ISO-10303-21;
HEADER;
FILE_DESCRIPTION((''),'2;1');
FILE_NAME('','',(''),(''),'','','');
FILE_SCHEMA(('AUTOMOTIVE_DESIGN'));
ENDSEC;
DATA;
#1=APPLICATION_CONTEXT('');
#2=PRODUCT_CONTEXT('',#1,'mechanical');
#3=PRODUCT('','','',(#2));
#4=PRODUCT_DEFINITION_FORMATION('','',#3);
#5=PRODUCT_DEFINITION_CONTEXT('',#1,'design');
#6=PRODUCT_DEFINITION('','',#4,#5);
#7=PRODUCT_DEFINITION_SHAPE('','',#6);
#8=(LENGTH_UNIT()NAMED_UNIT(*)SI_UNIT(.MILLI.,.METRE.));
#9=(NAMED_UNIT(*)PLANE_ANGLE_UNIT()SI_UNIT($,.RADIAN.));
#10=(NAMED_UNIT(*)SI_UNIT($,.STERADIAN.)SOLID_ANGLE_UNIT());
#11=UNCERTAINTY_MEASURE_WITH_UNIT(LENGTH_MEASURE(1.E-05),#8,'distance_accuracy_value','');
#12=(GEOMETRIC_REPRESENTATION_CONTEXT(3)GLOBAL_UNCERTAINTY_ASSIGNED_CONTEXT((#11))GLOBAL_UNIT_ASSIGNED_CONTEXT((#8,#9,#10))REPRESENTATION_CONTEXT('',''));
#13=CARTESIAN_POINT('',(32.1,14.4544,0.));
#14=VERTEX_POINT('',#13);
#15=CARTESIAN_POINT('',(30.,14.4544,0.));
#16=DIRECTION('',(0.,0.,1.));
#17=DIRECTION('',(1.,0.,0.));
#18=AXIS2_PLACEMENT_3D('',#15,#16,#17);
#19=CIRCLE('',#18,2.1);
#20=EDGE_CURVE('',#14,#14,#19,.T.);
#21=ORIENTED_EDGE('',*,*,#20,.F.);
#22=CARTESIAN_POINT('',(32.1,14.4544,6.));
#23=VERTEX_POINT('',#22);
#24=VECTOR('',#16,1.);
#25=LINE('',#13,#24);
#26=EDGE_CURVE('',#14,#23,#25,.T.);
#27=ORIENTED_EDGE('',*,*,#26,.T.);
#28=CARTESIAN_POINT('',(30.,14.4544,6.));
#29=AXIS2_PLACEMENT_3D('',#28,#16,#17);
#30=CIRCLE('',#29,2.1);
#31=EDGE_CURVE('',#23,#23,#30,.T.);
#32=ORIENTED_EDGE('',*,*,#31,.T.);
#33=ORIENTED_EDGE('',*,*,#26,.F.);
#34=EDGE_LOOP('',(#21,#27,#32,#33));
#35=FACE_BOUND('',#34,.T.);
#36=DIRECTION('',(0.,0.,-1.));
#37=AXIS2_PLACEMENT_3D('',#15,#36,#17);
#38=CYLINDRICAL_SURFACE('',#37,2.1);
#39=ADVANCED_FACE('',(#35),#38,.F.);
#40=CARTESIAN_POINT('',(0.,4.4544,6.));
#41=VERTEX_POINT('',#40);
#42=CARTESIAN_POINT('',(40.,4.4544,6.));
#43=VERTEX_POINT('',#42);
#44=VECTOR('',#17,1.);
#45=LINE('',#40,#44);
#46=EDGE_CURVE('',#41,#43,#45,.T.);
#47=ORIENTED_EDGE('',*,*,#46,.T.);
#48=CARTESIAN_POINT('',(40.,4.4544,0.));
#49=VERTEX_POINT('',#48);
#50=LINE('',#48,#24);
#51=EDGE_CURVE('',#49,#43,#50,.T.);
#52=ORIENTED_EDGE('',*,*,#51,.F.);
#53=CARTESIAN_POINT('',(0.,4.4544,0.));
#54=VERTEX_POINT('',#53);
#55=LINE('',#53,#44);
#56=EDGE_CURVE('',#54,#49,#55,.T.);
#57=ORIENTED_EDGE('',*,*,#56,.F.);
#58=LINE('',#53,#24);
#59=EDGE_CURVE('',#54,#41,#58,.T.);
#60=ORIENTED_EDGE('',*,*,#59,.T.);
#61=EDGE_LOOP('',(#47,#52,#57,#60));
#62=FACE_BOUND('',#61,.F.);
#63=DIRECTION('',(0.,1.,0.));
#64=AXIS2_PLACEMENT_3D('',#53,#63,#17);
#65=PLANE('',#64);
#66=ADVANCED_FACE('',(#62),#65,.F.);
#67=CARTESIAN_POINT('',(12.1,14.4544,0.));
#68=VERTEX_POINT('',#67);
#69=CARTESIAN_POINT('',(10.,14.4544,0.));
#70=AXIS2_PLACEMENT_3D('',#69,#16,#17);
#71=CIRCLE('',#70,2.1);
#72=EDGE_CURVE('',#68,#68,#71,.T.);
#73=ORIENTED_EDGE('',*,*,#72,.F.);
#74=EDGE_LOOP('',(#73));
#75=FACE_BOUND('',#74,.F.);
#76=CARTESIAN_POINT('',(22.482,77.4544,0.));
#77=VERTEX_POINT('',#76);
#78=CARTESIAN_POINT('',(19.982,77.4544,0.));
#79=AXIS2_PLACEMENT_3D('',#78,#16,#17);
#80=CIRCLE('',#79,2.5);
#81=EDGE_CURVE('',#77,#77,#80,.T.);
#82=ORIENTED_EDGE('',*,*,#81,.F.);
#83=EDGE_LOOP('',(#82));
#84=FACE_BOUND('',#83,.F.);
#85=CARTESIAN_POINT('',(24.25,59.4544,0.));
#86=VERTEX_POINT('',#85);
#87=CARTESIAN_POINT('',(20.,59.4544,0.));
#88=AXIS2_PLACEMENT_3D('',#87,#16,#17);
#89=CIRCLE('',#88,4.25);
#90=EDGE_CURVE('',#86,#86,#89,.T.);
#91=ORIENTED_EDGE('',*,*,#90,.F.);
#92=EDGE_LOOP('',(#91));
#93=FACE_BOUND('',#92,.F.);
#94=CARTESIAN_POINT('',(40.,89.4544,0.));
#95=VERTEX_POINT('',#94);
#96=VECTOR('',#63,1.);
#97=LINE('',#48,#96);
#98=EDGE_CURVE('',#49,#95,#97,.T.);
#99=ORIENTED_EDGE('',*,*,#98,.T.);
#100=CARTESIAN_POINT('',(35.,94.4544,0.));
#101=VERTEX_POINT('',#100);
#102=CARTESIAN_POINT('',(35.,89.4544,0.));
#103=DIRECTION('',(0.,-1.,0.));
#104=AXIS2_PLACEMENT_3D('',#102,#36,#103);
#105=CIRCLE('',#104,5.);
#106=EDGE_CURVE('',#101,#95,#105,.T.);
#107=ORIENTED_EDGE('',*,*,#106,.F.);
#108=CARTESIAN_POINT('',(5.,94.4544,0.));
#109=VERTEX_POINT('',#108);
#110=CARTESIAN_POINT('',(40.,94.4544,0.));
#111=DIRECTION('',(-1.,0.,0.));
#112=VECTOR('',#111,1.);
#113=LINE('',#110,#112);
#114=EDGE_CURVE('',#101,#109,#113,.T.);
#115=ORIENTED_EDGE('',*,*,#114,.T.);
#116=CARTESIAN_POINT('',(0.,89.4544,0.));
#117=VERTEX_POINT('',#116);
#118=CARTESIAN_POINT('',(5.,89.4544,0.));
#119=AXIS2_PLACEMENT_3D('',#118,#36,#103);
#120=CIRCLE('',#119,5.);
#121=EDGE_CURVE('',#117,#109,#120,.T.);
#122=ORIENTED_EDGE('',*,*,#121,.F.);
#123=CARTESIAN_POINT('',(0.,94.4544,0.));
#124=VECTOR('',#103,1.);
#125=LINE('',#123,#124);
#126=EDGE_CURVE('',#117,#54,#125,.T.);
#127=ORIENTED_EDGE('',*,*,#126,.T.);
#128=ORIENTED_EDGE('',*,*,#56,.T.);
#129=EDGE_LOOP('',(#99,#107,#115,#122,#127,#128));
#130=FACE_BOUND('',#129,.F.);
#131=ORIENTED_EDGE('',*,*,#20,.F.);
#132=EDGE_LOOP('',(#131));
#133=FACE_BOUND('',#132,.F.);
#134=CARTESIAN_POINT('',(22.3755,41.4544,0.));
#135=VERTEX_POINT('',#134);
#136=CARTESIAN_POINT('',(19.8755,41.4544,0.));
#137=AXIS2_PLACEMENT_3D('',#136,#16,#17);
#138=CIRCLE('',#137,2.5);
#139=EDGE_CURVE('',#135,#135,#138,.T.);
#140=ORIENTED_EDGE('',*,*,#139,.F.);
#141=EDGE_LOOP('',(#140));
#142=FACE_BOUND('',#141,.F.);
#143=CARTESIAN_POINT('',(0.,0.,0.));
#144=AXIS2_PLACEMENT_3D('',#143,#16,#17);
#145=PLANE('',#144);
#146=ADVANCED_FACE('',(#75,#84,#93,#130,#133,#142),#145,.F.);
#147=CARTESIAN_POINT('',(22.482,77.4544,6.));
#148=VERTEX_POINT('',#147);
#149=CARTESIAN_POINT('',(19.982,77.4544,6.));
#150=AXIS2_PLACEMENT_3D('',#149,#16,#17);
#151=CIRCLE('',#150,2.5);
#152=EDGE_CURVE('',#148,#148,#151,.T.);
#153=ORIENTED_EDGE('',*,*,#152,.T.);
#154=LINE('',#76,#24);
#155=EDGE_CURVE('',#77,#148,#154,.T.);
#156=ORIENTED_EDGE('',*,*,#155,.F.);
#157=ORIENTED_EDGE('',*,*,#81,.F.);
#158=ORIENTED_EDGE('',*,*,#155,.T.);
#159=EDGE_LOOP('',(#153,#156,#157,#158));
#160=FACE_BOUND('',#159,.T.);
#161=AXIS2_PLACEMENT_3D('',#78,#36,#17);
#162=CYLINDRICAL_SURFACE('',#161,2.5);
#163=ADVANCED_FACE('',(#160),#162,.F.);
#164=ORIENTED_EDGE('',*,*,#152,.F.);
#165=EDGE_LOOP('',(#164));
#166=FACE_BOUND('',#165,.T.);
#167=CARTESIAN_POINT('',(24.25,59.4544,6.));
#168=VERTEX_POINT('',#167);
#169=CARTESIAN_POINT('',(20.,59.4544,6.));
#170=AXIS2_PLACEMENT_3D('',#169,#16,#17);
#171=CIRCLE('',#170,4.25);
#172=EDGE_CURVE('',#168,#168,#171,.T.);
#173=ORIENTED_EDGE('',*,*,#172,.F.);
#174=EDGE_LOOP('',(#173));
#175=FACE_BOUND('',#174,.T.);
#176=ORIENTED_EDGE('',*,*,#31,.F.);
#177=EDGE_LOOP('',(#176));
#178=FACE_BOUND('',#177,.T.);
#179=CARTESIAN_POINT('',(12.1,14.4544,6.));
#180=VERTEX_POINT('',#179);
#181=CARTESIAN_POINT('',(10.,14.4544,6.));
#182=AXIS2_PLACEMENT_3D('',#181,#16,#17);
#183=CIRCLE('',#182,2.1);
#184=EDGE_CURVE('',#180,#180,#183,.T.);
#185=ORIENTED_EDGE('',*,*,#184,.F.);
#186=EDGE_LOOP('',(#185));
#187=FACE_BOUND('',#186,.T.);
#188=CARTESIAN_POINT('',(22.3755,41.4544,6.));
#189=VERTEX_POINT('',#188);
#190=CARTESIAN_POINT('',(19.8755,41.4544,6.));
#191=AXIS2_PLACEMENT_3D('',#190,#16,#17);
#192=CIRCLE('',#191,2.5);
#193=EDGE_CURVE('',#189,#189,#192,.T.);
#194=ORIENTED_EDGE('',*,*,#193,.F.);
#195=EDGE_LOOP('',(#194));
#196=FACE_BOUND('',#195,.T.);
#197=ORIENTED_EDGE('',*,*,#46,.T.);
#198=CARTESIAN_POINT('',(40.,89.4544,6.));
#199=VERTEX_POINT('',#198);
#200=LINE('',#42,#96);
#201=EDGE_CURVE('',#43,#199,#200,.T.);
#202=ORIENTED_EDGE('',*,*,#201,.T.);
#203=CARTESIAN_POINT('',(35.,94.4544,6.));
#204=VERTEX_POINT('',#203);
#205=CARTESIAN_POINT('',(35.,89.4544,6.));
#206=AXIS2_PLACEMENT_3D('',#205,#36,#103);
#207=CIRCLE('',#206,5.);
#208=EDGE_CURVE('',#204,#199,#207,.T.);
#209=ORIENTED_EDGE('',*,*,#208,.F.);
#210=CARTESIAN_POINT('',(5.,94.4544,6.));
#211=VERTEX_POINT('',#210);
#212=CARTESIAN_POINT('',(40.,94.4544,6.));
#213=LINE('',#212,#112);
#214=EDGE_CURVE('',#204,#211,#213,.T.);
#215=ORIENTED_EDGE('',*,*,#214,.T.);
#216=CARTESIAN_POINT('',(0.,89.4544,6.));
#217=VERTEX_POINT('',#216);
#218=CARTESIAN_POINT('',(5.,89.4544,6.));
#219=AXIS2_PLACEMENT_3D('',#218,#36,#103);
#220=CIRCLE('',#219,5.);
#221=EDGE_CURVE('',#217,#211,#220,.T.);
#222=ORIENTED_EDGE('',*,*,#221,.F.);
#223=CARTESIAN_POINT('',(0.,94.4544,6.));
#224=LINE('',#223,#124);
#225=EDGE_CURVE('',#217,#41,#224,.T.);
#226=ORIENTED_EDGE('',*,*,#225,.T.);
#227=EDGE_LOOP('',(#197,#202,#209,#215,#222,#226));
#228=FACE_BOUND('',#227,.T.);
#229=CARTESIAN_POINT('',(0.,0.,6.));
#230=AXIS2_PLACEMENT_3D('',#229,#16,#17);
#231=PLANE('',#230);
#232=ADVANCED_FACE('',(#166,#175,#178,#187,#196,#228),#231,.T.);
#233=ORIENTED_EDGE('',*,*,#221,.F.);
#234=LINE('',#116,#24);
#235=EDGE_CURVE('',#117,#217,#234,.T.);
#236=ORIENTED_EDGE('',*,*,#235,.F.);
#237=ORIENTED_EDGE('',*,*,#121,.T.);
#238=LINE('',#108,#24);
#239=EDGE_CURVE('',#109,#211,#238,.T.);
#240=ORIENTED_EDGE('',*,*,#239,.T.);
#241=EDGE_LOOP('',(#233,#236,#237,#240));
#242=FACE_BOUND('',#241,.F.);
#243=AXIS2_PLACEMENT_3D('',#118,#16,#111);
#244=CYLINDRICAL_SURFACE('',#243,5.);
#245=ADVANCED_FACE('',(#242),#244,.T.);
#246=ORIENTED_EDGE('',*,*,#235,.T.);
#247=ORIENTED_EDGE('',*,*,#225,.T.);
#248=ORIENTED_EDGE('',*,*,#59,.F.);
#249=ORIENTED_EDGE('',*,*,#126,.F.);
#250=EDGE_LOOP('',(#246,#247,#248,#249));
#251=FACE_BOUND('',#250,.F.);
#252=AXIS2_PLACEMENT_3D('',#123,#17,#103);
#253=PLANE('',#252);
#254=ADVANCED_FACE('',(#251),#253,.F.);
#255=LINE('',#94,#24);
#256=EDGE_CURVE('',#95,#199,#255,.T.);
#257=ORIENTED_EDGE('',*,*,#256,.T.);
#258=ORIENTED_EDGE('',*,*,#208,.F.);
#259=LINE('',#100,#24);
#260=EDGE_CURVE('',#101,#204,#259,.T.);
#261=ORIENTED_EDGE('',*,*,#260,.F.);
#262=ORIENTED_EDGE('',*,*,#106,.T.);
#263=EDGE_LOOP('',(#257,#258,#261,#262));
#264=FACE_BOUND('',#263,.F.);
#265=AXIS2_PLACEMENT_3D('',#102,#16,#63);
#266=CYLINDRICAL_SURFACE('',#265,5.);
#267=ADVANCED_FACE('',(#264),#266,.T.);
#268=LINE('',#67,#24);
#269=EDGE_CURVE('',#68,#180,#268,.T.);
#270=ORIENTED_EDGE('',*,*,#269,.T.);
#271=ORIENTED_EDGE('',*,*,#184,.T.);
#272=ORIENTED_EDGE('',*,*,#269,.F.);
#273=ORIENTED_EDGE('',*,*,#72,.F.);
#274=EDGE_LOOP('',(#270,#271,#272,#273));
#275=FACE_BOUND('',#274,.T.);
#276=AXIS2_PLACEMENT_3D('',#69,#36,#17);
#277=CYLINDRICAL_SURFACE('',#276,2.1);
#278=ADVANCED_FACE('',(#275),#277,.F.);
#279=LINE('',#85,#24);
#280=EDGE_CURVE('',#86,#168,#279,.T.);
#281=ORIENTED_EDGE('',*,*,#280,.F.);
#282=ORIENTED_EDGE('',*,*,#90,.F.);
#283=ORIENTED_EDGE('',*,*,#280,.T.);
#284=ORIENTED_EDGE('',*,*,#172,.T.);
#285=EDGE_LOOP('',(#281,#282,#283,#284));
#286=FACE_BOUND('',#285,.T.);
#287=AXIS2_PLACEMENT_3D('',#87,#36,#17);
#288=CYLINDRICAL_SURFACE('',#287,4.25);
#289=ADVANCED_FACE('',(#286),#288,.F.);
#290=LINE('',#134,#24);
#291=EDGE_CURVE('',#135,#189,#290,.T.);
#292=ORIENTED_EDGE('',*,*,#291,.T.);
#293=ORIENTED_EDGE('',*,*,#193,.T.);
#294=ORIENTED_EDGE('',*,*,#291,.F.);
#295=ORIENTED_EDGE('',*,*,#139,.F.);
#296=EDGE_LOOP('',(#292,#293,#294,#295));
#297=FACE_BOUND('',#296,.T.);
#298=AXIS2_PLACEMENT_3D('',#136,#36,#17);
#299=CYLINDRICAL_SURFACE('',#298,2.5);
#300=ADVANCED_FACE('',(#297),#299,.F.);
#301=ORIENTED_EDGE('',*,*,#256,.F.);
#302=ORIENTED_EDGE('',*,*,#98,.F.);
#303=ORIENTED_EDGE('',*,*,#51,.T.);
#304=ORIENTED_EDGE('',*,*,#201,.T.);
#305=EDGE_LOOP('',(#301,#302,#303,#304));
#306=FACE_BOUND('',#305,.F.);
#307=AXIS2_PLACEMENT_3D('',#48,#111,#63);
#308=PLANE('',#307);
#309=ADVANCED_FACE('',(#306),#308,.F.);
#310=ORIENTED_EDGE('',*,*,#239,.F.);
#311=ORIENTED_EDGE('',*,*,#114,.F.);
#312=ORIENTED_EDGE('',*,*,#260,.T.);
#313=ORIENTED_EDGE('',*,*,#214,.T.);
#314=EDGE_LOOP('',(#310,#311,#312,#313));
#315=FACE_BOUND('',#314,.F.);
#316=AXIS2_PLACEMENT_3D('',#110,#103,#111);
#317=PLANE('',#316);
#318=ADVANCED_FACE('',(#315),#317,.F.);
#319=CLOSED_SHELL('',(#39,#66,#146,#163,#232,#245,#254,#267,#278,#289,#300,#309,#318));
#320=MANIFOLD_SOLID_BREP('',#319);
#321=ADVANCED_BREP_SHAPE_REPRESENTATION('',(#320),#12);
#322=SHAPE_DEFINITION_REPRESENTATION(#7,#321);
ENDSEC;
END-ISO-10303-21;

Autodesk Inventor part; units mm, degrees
ref_plane "YZ Plane" through (0, 0, 0) normal (1, 0, 0) x (0, 1, 0)
ref_plane "XZ Plane" through (0, 0, 0) normal (0, 1, 0) x (-1, 0, 0)
ref_plane "XY Plane" through (0, 0, 0) normal (0, 0, 1) x (1, 0, 0)
sketch "Sketch1" plane through (0, 0, 0) normal (0, 0, 1) x (1, 0, 0)
  line L0 (40, 4.4544) -> (40, 94.4544)
  line L1 (40, 94.4544) -> (0, 94.4544)
  line L2 (0, 94.4544) -> (0, 4.4544)
  circle A0 centre (20, 59.4544) radius 4.25
  circle A1 centre (10, 14.4544) radius 2.1
  circle A2 centre (30, 14.4544) radius 2.1
  circle A3 centre (19.982, 77.4544) radius 2.5
  circle A4 centre (19.8755, 41.4544) radius 2.5
  line L3 (0, 4.4544) -> (40, 4.4544)
  point P0 (0, 0)
  dimension "d4" = 40
  dimension "d5" = 90
  dimension "d7" = 8.5
  dimension "d8" = 35
  dimension "d9" = 20
  dimension "d11" = 90
  dimension "d19" = 10
  dimension "d21" = 4.2
  dimension "d22" = 10
  dimension "d24" = 4.2
extrude "Extrusion1" add sketch "Sketch1" along normal blind 6
fillet "Fillet1" radius 5 2 edges at (0, 94.4544, 3) (40, 94.4544, 3)
equation "\"d9\" = 0.5 * d4"
equation "\"d22\" = d19"
equation "\"d24\" = d21"
properties part number "BaseC_5" material "PMMA Plastic"
